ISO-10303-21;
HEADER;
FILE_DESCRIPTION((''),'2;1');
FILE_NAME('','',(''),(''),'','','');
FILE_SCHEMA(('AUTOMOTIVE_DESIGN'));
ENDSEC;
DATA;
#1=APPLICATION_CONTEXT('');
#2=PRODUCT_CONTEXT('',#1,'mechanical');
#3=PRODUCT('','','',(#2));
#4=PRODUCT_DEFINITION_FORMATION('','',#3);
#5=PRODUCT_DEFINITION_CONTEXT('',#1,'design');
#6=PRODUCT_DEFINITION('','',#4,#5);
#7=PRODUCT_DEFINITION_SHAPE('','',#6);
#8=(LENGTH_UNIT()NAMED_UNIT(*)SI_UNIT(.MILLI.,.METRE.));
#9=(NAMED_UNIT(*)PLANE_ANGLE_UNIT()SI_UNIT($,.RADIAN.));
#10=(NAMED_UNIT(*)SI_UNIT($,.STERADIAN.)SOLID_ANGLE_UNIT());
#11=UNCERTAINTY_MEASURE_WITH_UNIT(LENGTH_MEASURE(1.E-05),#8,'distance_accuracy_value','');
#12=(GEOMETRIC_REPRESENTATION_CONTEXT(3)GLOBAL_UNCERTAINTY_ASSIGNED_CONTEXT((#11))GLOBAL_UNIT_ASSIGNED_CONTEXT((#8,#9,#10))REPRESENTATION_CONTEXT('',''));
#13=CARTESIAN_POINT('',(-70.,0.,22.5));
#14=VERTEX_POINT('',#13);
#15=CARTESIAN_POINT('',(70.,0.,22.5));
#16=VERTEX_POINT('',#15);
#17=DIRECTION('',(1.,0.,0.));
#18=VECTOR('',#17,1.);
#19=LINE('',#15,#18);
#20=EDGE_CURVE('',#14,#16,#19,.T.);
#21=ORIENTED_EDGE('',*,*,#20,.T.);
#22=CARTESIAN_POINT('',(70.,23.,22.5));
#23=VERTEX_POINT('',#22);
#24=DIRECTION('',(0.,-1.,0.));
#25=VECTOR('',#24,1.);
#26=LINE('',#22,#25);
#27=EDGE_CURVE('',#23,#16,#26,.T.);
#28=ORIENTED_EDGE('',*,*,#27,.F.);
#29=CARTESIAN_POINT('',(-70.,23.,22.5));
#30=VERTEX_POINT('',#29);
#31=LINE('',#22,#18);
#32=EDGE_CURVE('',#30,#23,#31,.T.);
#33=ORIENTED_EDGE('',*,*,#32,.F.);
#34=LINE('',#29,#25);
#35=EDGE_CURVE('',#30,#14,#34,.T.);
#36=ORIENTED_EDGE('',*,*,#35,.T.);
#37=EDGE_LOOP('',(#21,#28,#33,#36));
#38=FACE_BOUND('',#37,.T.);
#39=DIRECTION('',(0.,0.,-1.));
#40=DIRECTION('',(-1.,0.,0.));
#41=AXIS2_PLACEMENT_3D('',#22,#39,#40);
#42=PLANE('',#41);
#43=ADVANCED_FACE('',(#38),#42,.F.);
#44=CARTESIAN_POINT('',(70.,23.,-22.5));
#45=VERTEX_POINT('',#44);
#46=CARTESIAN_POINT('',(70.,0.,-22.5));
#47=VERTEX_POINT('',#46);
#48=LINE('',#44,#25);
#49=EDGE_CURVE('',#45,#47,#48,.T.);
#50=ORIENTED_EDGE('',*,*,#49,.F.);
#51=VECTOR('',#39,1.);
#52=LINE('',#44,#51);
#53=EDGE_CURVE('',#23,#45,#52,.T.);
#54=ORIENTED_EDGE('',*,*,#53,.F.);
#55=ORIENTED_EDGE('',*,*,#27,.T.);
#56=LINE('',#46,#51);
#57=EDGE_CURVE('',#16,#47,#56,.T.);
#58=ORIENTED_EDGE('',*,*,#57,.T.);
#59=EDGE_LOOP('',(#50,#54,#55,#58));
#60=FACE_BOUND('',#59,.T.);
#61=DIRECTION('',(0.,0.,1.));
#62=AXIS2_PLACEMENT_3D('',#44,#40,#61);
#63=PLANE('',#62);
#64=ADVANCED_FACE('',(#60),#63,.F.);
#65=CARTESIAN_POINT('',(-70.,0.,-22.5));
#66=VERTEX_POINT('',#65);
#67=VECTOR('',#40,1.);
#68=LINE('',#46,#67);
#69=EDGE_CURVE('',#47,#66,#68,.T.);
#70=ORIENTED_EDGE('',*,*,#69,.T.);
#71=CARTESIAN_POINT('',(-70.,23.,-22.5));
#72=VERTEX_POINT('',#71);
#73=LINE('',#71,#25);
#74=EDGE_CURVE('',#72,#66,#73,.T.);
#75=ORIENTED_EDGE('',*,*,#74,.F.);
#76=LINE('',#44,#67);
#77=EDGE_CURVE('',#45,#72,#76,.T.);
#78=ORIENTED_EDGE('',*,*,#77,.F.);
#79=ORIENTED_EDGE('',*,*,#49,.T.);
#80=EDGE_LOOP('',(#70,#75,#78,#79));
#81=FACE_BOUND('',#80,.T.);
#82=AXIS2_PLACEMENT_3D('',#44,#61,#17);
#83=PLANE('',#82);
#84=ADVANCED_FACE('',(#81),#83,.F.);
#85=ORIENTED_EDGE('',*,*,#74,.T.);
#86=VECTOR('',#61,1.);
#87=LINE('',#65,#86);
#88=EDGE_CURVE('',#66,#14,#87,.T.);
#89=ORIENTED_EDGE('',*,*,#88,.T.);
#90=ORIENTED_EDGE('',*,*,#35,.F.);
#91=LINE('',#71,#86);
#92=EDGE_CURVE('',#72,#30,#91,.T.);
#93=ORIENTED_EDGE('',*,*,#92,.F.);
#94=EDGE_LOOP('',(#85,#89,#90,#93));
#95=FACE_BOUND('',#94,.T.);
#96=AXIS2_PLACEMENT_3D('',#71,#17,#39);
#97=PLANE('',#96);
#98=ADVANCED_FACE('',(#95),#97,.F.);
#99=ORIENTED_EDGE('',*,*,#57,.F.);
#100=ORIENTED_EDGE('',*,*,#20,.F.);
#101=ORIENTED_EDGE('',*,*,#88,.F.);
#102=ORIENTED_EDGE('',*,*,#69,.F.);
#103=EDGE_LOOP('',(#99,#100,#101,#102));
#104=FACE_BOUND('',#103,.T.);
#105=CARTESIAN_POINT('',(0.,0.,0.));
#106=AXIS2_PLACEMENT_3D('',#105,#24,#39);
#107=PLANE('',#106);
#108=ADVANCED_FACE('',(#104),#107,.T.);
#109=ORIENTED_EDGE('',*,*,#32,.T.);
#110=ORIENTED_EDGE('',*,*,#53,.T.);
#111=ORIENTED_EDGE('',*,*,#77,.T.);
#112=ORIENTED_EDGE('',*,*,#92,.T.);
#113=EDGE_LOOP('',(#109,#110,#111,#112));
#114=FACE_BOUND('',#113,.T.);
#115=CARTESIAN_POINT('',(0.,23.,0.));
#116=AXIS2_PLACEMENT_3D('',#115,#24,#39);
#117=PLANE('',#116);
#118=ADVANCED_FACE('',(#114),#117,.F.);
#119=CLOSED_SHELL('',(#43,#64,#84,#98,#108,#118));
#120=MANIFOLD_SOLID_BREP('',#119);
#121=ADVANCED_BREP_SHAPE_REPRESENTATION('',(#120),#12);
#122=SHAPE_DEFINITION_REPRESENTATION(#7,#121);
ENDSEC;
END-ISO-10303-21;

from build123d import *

# Parameters (mm, degrees)
SCHIZZO1_W                   = 140
SCHIZZO1_H                   = 45
ESTRUSIONE_ESTRUSIONE1_DEPTH = 23


with BuildPart() as part:
    # Schizzo1 → Estrusione-Estrusione1 (new body)
    with BuildSketch(Plane(origin=(0, 0, 0), x_dir=(1, 0, 0), z_dir=(0, 1, 0))):
        Rectangle(SCHIZZO1_W, SCHIZZO1_H)
    extrude(amount=ESTRUSIONE_ESTRUSIONE1_DEPTH)


solid = part.part
